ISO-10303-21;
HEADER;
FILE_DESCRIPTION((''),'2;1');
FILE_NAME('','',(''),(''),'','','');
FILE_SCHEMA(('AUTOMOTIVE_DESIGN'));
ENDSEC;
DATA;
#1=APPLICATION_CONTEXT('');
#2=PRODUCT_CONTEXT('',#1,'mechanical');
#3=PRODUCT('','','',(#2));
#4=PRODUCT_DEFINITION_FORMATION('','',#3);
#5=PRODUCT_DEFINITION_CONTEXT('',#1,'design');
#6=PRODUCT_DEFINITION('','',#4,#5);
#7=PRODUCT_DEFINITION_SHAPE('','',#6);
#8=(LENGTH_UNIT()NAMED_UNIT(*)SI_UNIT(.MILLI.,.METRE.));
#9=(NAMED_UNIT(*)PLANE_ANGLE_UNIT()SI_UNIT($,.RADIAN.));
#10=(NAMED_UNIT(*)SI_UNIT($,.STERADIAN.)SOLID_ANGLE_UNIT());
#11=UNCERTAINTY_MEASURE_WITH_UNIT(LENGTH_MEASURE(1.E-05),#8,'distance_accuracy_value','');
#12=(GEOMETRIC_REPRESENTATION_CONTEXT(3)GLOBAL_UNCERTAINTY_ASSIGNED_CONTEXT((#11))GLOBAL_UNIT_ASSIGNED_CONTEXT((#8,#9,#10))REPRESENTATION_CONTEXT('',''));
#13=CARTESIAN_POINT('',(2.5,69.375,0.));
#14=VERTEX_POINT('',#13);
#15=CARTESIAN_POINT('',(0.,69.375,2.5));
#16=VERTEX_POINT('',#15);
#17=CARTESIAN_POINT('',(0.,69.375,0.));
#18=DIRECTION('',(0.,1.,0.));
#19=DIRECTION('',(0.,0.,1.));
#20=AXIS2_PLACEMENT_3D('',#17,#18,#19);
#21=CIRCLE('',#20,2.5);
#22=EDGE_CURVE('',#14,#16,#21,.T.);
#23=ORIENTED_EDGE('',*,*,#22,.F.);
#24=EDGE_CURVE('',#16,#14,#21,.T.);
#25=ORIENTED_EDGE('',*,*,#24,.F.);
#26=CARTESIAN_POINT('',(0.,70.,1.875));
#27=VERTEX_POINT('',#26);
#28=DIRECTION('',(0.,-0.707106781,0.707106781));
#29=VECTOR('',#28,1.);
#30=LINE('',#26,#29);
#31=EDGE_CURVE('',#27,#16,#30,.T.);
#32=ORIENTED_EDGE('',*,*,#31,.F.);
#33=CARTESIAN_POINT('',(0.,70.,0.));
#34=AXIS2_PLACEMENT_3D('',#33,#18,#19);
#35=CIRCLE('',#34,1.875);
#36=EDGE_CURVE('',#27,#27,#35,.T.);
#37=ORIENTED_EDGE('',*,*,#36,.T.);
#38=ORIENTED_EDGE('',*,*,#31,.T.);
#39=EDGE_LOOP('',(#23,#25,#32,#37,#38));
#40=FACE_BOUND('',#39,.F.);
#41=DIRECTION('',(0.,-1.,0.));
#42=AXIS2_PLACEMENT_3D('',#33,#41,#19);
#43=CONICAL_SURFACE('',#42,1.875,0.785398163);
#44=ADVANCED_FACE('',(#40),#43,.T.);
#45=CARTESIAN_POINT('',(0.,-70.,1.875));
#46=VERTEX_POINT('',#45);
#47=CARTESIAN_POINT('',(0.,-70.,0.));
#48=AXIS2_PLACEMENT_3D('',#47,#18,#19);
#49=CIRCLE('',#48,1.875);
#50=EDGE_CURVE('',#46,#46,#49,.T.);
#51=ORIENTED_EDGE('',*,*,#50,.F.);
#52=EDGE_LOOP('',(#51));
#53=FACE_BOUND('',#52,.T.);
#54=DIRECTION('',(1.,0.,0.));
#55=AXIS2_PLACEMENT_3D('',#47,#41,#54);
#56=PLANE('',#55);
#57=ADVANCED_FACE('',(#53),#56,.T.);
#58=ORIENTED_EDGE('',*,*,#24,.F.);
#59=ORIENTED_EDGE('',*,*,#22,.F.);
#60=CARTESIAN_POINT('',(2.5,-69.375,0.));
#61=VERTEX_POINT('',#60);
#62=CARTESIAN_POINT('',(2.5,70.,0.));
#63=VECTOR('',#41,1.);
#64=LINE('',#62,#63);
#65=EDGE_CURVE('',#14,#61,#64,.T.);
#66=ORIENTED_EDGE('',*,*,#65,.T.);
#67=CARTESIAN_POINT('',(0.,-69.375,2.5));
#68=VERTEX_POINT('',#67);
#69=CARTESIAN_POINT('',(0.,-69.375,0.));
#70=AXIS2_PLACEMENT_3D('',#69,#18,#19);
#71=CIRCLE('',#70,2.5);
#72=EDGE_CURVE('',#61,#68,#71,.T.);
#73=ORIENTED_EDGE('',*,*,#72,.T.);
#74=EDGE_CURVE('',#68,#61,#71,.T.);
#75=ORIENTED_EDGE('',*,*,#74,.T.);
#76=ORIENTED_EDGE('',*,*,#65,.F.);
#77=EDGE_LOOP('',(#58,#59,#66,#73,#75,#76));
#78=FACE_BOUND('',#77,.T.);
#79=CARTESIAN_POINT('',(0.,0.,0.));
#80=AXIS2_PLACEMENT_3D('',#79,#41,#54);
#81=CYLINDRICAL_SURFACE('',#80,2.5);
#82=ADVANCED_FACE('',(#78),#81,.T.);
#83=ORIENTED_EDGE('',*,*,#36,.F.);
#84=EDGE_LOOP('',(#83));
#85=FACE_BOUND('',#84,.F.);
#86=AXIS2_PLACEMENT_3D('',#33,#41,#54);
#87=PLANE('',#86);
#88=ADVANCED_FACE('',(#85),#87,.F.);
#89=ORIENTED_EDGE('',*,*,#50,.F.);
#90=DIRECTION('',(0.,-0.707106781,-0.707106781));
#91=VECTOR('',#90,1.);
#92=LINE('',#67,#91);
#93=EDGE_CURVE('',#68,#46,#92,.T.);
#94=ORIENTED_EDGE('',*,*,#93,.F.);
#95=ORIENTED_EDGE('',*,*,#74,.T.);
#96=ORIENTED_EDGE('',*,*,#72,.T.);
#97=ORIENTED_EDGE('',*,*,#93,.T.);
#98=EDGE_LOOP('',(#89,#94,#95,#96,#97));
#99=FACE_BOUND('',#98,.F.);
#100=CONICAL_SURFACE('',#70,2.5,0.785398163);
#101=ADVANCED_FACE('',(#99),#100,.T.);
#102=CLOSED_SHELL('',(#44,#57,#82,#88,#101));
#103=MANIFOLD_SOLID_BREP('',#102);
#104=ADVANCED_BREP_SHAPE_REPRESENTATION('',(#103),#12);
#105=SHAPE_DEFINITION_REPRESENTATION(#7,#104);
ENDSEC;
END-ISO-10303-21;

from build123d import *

# Parameters (mm, degrees)
SKETCH_R  = 2.5
PAD_DEPTH = 70


with BuildPart() as part:
    # Sketch → Pad (new body, symmetric)
    with BuildSketch(Plane.XZ):
        Circle(SKETCH_R)
    extrude(amount=PAD_DEPTH, both=True)

    # Sketch001 → Groove (revolve, cut)
    with BuildSketch(Plane.YZ):
        Polygon((-70, 4.5), (70, 4.5), (70, 1.875), (69.375, 2.5), (-69.375, 2.5), (-70, 1.875), align=None)
    revolve(axis=Axis((0, 0, 0), (0, 1, 0)), mode=Mode.SUBTRACT)


solid = part.part
